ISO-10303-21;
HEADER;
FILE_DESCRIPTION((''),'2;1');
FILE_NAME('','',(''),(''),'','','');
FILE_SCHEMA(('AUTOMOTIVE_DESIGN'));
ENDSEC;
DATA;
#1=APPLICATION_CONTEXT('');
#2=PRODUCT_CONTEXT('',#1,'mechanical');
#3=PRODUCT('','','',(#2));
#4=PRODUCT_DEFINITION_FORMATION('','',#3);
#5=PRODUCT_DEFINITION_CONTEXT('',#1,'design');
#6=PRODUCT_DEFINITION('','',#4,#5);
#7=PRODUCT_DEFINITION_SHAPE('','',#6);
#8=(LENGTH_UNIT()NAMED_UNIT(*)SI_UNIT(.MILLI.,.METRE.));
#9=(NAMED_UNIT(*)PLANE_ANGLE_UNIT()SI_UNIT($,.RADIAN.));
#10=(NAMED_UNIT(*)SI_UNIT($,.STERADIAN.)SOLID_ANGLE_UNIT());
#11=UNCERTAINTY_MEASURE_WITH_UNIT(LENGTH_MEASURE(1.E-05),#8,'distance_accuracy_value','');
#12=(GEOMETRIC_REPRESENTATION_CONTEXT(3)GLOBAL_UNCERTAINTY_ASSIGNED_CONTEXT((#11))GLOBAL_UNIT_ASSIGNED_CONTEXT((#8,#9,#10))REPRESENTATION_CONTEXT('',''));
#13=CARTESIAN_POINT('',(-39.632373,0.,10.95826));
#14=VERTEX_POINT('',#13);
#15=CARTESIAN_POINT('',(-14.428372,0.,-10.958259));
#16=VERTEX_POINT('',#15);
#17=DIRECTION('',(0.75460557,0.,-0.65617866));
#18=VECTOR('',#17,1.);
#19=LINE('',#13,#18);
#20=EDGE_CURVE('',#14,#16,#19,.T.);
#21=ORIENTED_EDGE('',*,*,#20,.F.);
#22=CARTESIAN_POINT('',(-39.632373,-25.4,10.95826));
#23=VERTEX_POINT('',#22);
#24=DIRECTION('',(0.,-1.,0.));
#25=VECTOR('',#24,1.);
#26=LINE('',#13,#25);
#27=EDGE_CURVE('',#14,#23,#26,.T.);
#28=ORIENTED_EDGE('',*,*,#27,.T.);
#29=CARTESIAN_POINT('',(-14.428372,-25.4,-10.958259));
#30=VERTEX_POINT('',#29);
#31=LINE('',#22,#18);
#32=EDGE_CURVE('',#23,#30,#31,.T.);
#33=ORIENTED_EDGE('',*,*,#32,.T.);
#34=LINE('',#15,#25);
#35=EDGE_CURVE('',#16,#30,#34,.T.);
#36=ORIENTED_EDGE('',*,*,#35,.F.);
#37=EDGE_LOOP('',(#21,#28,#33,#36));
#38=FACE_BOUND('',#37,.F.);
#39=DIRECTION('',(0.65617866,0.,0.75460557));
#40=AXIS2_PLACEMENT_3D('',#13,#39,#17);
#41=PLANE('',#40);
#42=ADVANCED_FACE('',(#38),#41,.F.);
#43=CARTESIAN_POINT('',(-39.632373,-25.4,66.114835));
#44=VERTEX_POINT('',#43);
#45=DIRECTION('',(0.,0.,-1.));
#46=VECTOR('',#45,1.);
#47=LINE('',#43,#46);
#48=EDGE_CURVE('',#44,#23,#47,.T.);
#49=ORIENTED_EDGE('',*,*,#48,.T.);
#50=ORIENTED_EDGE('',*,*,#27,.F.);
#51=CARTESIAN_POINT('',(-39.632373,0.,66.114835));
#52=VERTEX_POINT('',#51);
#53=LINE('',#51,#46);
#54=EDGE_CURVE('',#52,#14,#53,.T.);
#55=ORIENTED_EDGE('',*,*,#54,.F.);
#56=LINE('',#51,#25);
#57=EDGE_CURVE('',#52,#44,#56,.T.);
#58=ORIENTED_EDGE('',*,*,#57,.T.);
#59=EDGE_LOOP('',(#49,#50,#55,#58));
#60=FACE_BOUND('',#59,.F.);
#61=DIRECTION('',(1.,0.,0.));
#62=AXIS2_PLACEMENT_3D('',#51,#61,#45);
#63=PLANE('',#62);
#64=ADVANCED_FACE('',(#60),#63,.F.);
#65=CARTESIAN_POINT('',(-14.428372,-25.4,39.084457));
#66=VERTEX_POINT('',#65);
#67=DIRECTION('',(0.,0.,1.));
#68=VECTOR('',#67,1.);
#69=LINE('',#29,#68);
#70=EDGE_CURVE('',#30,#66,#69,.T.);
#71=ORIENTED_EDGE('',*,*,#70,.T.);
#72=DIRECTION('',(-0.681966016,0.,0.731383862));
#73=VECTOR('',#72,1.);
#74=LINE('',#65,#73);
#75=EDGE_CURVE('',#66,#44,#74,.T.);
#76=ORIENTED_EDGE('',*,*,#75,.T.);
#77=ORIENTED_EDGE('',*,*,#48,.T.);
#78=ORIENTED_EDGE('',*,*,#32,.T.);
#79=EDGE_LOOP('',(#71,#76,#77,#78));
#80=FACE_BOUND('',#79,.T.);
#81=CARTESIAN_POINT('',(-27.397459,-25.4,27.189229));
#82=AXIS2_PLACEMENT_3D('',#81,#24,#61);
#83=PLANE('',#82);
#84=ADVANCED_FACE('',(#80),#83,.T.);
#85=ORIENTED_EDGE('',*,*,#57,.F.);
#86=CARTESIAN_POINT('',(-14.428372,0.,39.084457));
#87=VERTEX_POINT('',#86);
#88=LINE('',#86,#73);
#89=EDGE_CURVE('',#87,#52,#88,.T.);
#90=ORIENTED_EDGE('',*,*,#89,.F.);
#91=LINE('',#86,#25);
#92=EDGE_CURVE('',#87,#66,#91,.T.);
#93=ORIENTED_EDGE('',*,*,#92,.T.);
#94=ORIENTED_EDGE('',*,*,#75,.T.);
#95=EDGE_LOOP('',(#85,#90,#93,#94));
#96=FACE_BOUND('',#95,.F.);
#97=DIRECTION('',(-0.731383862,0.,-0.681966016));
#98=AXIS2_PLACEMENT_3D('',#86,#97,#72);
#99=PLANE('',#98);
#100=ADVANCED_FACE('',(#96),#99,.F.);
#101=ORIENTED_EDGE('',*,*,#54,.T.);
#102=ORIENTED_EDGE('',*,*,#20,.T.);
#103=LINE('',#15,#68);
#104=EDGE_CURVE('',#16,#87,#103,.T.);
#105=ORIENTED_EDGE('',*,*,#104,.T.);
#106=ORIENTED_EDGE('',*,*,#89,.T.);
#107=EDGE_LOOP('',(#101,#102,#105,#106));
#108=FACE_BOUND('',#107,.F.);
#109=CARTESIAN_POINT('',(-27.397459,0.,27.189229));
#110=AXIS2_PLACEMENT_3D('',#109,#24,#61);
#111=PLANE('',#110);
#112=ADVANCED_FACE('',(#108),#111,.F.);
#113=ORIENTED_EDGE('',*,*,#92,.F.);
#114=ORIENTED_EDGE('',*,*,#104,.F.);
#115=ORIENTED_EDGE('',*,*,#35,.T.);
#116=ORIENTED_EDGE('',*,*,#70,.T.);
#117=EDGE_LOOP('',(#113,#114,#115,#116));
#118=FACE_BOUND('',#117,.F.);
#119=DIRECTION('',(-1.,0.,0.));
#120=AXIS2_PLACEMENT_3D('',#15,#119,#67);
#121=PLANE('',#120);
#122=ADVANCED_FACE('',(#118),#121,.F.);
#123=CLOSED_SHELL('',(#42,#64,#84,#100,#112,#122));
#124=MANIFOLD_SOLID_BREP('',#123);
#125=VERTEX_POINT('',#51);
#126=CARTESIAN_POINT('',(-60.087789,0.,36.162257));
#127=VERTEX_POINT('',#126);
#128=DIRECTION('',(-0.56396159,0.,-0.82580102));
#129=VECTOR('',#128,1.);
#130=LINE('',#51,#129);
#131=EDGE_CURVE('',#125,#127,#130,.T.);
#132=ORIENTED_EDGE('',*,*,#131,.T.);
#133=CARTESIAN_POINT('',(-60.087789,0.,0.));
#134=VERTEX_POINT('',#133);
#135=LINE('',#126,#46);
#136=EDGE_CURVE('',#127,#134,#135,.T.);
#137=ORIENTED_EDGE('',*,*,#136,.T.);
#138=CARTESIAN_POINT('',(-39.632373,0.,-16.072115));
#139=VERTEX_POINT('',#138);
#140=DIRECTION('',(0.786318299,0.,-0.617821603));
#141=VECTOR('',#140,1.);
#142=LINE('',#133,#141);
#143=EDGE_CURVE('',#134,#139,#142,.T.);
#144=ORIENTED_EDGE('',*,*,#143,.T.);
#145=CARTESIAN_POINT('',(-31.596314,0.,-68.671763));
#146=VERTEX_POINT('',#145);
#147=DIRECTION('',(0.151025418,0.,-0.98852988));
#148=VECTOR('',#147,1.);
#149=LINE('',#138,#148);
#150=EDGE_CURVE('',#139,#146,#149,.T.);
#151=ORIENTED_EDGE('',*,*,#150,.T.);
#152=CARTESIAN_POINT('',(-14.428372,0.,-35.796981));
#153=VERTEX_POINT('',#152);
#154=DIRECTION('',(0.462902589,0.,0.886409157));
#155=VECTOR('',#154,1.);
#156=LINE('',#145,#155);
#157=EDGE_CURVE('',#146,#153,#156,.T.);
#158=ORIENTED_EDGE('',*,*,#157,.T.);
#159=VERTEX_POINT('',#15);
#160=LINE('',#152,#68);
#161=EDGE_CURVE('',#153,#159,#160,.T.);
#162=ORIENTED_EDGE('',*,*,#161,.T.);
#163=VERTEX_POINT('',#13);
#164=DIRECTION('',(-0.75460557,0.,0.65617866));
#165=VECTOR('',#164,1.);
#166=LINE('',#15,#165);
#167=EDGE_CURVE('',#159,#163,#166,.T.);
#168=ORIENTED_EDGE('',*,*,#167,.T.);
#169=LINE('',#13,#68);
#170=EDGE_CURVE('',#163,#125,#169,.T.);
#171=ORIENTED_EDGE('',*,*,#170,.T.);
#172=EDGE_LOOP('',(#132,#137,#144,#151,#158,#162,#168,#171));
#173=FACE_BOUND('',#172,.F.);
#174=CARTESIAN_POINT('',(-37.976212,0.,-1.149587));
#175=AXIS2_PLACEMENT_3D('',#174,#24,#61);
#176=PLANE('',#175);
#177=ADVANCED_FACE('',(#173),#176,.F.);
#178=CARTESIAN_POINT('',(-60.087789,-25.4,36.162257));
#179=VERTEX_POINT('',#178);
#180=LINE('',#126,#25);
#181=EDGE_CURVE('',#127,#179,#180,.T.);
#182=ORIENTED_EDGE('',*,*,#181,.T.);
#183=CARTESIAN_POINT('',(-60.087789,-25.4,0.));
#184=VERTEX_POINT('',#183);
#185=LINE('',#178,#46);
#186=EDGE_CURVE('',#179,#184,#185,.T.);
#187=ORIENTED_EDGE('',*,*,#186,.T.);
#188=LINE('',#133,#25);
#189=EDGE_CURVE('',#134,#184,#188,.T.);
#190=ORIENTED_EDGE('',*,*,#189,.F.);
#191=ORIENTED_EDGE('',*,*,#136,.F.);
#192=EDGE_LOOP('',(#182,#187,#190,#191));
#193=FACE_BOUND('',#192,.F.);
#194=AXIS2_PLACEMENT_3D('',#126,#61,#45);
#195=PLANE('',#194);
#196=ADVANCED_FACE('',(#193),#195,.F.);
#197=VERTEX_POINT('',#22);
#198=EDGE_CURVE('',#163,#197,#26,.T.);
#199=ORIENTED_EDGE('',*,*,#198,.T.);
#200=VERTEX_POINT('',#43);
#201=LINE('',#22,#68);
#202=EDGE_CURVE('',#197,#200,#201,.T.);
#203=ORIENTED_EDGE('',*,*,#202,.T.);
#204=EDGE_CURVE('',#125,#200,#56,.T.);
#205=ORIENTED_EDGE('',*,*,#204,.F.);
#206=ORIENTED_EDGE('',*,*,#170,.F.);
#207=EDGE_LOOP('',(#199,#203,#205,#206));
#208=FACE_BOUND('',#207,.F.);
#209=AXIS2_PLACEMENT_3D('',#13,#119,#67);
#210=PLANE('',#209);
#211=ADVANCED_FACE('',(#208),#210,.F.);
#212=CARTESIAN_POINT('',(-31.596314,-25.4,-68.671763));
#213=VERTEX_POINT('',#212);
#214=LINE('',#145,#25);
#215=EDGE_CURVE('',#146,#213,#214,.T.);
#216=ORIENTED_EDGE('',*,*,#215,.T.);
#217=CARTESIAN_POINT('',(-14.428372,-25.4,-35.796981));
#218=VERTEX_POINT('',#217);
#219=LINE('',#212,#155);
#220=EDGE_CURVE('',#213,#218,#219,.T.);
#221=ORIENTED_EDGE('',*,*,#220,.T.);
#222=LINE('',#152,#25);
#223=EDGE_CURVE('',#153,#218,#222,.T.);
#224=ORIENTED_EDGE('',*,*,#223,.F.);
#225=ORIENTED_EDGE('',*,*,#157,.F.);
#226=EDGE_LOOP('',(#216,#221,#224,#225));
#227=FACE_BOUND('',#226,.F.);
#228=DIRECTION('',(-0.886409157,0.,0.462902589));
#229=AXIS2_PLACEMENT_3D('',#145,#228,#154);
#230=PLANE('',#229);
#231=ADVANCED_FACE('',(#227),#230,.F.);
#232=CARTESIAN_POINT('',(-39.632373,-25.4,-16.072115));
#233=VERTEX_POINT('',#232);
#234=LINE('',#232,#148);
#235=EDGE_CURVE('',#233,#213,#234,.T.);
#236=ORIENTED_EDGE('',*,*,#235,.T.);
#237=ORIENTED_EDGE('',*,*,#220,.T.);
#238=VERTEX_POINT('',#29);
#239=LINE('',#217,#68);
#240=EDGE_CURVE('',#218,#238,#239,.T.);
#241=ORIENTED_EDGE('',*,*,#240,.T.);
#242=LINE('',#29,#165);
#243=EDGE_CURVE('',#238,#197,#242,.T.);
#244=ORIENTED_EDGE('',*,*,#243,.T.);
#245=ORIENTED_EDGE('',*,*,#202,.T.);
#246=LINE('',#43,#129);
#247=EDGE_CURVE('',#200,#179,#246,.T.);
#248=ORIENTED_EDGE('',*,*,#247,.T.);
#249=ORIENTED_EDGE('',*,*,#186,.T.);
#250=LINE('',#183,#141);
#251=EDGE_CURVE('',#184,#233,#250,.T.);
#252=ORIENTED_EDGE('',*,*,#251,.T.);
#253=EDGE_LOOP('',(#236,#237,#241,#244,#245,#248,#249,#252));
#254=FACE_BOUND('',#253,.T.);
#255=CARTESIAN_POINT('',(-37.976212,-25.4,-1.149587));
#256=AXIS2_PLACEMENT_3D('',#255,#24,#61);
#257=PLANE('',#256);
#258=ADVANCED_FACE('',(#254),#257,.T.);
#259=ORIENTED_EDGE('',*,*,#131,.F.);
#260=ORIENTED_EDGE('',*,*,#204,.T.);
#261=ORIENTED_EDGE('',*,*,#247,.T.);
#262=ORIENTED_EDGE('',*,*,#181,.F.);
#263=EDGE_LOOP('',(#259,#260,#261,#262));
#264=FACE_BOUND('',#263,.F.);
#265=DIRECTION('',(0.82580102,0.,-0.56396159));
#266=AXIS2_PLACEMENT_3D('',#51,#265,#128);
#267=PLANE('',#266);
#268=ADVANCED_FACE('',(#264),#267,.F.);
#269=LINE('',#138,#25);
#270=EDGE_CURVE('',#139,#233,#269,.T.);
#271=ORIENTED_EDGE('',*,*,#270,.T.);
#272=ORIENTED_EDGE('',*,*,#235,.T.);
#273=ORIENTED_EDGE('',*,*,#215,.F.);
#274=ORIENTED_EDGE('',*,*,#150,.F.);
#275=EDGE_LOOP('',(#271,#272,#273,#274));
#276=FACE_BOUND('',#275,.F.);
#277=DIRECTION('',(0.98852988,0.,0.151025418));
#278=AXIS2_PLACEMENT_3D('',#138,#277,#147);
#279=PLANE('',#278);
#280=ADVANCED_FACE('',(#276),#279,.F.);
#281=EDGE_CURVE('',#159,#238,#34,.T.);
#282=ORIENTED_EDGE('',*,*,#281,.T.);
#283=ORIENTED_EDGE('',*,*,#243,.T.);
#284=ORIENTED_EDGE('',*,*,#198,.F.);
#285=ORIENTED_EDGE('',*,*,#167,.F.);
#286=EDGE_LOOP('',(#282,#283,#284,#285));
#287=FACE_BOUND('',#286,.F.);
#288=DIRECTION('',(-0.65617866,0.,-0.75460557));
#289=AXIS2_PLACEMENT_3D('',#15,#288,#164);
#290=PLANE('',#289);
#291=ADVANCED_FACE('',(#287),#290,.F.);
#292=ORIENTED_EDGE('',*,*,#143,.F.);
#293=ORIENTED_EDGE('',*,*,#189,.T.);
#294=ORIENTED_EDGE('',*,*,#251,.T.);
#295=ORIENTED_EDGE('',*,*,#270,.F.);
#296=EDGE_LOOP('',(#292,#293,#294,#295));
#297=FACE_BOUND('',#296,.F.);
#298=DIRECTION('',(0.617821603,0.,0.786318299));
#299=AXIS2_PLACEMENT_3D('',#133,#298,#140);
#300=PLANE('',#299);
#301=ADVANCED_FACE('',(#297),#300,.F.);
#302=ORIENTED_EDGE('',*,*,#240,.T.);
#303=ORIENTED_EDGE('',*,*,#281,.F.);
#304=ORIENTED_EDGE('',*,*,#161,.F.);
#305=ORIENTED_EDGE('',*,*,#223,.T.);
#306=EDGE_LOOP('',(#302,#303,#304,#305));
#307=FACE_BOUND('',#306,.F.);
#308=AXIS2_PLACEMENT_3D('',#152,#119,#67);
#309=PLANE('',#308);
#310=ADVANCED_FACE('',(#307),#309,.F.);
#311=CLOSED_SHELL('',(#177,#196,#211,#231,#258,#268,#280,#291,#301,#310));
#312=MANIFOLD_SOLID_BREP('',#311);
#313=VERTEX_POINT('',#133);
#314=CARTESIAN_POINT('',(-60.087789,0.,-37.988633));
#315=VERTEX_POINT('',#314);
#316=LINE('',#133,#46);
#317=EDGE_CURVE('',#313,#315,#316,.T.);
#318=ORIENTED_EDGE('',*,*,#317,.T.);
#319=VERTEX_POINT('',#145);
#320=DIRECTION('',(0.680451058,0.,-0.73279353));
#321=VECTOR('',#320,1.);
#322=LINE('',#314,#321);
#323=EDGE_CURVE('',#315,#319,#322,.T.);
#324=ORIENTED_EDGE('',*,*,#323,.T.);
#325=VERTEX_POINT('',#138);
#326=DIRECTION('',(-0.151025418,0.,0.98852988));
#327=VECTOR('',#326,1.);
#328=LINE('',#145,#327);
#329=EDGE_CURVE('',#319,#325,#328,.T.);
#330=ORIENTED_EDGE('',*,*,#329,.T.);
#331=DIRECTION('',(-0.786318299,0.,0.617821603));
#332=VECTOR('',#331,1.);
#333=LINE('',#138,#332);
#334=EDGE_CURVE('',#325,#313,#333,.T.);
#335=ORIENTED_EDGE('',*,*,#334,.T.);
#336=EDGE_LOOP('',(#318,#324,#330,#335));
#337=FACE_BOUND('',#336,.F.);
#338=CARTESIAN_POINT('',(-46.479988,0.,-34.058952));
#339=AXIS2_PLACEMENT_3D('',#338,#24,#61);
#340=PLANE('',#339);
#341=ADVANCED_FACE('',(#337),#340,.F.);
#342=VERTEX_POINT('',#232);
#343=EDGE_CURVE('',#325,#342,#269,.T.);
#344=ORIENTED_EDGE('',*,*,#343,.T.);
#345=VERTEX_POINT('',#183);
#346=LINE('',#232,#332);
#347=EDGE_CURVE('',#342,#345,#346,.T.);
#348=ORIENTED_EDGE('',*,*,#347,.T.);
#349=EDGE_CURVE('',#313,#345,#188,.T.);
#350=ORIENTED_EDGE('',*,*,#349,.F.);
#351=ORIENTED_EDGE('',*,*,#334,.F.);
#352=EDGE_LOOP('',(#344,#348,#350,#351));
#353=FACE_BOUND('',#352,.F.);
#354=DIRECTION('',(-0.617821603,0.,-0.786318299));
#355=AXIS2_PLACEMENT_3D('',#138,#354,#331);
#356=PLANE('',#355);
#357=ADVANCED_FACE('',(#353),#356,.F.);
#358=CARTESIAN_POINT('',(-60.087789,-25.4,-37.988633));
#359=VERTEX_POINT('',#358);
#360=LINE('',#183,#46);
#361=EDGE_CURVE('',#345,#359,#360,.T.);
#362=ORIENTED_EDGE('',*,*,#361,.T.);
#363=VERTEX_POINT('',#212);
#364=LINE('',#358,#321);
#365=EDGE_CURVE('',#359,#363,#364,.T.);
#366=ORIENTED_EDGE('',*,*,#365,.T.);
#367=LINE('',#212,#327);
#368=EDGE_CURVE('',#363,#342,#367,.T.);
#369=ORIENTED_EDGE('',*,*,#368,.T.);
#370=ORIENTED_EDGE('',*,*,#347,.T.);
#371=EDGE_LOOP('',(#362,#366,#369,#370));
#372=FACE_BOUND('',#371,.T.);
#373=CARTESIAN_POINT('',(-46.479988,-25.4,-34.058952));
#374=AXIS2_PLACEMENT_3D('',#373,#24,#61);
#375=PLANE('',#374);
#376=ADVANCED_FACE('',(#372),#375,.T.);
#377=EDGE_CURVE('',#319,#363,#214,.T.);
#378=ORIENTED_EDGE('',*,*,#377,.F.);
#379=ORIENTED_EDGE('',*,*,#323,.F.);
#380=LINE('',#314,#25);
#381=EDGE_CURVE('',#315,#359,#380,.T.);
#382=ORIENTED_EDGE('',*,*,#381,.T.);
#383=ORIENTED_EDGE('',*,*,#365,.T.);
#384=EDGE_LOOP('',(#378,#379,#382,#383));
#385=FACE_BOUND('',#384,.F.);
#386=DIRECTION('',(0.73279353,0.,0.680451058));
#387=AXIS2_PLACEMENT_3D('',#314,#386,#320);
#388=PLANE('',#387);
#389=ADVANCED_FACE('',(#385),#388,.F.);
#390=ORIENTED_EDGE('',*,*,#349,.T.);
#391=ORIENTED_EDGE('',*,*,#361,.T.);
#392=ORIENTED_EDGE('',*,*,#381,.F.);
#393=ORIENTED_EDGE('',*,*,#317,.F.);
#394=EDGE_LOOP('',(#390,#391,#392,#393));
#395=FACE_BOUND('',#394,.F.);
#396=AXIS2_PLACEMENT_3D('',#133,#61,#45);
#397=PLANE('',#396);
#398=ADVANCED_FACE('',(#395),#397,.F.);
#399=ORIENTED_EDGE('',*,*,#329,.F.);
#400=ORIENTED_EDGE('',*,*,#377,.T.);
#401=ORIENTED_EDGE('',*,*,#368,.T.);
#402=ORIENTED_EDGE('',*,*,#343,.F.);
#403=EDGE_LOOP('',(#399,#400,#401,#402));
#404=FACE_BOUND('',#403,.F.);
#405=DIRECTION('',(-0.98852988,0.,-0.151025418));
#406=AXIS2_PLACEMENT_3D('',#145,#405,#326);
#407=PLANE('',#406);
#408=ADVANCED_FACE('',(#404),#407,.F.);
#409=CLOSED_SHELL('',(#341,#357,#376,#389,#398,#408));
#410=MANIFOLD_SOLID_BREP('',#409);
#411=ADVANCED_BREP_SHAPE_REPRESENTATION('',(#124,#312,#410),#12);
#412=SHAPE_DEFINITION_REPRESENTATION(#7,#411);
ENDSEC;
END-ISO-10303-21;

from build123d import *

# Parameters (mm, degrees)
F1_DEPTH = 25.4
F3_D     = 6.35
F5_D     = 6.35
F9_DEPTH = 25.4


with BuildPart() as f1:
    # F0 (on Front) → F1 (new body)
    with BuildSketch(Plane.XZ):
        with BuildLine():
            ThreePointArc((-128.3751209868, 39.6007452949), (-129.552340494, 9.5896363142), (-103.3479430395, 24.2655370384))
            ThreePointArc((-103.3479430395, 24.2655370384), (-104.9362182853, 31.4871507031), (-109.4079183306, 37.3759723918))
            ThreePointArc((-109.4079183306, 37.3759723918), (-118.5546653052, 41.3601956851), (-128.3751209868, 39.6007452949))
        make_face()
        with BuildLine():
            ThreePointArc((-128.3751209868, 39.6007452949), (-118.5546653052, 41.3601956851), (-109.4079183306, 37.3759723918))
            Line((-109.4079183306, 37.3759723918), (-106.4278815586, 143.8075241849))
            ThreePointArc((-106.4278815586, 143.8075241849), (-115.3981395679, 141.5406720569), (-124.418582657, 143.5987667583))
            Line((-124.418582657, 143.5987667583), (-128.3751209868, 39.6007452949))
        make_face()
        with BuildLine():
            ThreePointArc((-124.418582657, 143.5987667583), (-115.3981395679, 141.5406720569), (-106.4278815586, 143.8075241849))
            ThreePointArc((-106.4278815586, 143.8075241849), (-98.6897050309, 151.0931461836), (-95.8360031708, 161.3311171532))
            ThreePointArc((-95.8360031708, 161.3311171532), (-126.0615922734, 178.149262864), (-124.418582657, 143.5987667583))
        make_face()
    extrude(amount=F1_DEPTH)

    # F3 (through all)
    with Locations(Plane(origin=(0, 0, 0), x_dir=(1, 0, 0), z_dir=(0, 1, 0))):
        with Locations((-119.4135472178, -24.9353405088)):
            Hole(F3_D / 2)

    # F5 (through all)
    with Locations(Plane(origin=(0, 0, 0), x_dir=(1, 0, 0), z_dir=(0, 1, 0))):
        with Locations((-114.6405717434, -176.6452617808)):
            Hole(F5_D / 2)


with BuildPart() as f9:
    # F8 (on face) → F9 (new body)
    with BuildSketch(Plane.XZ):
        Polygon((-14.4283715636, -10.9582594596), (-39.6323725581, 10.9582599252), (-39.6323725581, 66.1148354411), (-60.0877888501, 36.1622571945), (-60.0877888501, 0), (-39.6323725581, -16.0721149296), (-31.596314162, -68.6717629433), (-14.4283715636, -35.7969813049), align=None)
    extrude(amount=F9_DEPTH)


with BuildPart() as f9b:
    # F7 (on Front) → F9, piece 2 (new body)
    with BuildSketch(Plane.XZ):
        Polygon((-14.4283715636, 39.084456861), (-39.6323725581, 66.1148354411), (-39.6323725581, 10.9582599252), (-14.4283715636, -10.9582594596), (-14.4283715636, 13.8804623857), align=None)
    extrude(amount=F9_DEPTH)


with BuildPart() as f9c:
    # F7 (on Front) → F9, piece 3 (new body)
    with BuildSketch(Plane.XZ):
        Polygon((-39.6323725581, -16.0721149296), (-60.0877888501, 0), (-60.0877888501, -37.9886329174), (-31.596314162, -68.6717629433), align=None)
    extrude(amount=F9_DEPTH)


solid = Compound([f9.part, f9b.part, f9c.part])
